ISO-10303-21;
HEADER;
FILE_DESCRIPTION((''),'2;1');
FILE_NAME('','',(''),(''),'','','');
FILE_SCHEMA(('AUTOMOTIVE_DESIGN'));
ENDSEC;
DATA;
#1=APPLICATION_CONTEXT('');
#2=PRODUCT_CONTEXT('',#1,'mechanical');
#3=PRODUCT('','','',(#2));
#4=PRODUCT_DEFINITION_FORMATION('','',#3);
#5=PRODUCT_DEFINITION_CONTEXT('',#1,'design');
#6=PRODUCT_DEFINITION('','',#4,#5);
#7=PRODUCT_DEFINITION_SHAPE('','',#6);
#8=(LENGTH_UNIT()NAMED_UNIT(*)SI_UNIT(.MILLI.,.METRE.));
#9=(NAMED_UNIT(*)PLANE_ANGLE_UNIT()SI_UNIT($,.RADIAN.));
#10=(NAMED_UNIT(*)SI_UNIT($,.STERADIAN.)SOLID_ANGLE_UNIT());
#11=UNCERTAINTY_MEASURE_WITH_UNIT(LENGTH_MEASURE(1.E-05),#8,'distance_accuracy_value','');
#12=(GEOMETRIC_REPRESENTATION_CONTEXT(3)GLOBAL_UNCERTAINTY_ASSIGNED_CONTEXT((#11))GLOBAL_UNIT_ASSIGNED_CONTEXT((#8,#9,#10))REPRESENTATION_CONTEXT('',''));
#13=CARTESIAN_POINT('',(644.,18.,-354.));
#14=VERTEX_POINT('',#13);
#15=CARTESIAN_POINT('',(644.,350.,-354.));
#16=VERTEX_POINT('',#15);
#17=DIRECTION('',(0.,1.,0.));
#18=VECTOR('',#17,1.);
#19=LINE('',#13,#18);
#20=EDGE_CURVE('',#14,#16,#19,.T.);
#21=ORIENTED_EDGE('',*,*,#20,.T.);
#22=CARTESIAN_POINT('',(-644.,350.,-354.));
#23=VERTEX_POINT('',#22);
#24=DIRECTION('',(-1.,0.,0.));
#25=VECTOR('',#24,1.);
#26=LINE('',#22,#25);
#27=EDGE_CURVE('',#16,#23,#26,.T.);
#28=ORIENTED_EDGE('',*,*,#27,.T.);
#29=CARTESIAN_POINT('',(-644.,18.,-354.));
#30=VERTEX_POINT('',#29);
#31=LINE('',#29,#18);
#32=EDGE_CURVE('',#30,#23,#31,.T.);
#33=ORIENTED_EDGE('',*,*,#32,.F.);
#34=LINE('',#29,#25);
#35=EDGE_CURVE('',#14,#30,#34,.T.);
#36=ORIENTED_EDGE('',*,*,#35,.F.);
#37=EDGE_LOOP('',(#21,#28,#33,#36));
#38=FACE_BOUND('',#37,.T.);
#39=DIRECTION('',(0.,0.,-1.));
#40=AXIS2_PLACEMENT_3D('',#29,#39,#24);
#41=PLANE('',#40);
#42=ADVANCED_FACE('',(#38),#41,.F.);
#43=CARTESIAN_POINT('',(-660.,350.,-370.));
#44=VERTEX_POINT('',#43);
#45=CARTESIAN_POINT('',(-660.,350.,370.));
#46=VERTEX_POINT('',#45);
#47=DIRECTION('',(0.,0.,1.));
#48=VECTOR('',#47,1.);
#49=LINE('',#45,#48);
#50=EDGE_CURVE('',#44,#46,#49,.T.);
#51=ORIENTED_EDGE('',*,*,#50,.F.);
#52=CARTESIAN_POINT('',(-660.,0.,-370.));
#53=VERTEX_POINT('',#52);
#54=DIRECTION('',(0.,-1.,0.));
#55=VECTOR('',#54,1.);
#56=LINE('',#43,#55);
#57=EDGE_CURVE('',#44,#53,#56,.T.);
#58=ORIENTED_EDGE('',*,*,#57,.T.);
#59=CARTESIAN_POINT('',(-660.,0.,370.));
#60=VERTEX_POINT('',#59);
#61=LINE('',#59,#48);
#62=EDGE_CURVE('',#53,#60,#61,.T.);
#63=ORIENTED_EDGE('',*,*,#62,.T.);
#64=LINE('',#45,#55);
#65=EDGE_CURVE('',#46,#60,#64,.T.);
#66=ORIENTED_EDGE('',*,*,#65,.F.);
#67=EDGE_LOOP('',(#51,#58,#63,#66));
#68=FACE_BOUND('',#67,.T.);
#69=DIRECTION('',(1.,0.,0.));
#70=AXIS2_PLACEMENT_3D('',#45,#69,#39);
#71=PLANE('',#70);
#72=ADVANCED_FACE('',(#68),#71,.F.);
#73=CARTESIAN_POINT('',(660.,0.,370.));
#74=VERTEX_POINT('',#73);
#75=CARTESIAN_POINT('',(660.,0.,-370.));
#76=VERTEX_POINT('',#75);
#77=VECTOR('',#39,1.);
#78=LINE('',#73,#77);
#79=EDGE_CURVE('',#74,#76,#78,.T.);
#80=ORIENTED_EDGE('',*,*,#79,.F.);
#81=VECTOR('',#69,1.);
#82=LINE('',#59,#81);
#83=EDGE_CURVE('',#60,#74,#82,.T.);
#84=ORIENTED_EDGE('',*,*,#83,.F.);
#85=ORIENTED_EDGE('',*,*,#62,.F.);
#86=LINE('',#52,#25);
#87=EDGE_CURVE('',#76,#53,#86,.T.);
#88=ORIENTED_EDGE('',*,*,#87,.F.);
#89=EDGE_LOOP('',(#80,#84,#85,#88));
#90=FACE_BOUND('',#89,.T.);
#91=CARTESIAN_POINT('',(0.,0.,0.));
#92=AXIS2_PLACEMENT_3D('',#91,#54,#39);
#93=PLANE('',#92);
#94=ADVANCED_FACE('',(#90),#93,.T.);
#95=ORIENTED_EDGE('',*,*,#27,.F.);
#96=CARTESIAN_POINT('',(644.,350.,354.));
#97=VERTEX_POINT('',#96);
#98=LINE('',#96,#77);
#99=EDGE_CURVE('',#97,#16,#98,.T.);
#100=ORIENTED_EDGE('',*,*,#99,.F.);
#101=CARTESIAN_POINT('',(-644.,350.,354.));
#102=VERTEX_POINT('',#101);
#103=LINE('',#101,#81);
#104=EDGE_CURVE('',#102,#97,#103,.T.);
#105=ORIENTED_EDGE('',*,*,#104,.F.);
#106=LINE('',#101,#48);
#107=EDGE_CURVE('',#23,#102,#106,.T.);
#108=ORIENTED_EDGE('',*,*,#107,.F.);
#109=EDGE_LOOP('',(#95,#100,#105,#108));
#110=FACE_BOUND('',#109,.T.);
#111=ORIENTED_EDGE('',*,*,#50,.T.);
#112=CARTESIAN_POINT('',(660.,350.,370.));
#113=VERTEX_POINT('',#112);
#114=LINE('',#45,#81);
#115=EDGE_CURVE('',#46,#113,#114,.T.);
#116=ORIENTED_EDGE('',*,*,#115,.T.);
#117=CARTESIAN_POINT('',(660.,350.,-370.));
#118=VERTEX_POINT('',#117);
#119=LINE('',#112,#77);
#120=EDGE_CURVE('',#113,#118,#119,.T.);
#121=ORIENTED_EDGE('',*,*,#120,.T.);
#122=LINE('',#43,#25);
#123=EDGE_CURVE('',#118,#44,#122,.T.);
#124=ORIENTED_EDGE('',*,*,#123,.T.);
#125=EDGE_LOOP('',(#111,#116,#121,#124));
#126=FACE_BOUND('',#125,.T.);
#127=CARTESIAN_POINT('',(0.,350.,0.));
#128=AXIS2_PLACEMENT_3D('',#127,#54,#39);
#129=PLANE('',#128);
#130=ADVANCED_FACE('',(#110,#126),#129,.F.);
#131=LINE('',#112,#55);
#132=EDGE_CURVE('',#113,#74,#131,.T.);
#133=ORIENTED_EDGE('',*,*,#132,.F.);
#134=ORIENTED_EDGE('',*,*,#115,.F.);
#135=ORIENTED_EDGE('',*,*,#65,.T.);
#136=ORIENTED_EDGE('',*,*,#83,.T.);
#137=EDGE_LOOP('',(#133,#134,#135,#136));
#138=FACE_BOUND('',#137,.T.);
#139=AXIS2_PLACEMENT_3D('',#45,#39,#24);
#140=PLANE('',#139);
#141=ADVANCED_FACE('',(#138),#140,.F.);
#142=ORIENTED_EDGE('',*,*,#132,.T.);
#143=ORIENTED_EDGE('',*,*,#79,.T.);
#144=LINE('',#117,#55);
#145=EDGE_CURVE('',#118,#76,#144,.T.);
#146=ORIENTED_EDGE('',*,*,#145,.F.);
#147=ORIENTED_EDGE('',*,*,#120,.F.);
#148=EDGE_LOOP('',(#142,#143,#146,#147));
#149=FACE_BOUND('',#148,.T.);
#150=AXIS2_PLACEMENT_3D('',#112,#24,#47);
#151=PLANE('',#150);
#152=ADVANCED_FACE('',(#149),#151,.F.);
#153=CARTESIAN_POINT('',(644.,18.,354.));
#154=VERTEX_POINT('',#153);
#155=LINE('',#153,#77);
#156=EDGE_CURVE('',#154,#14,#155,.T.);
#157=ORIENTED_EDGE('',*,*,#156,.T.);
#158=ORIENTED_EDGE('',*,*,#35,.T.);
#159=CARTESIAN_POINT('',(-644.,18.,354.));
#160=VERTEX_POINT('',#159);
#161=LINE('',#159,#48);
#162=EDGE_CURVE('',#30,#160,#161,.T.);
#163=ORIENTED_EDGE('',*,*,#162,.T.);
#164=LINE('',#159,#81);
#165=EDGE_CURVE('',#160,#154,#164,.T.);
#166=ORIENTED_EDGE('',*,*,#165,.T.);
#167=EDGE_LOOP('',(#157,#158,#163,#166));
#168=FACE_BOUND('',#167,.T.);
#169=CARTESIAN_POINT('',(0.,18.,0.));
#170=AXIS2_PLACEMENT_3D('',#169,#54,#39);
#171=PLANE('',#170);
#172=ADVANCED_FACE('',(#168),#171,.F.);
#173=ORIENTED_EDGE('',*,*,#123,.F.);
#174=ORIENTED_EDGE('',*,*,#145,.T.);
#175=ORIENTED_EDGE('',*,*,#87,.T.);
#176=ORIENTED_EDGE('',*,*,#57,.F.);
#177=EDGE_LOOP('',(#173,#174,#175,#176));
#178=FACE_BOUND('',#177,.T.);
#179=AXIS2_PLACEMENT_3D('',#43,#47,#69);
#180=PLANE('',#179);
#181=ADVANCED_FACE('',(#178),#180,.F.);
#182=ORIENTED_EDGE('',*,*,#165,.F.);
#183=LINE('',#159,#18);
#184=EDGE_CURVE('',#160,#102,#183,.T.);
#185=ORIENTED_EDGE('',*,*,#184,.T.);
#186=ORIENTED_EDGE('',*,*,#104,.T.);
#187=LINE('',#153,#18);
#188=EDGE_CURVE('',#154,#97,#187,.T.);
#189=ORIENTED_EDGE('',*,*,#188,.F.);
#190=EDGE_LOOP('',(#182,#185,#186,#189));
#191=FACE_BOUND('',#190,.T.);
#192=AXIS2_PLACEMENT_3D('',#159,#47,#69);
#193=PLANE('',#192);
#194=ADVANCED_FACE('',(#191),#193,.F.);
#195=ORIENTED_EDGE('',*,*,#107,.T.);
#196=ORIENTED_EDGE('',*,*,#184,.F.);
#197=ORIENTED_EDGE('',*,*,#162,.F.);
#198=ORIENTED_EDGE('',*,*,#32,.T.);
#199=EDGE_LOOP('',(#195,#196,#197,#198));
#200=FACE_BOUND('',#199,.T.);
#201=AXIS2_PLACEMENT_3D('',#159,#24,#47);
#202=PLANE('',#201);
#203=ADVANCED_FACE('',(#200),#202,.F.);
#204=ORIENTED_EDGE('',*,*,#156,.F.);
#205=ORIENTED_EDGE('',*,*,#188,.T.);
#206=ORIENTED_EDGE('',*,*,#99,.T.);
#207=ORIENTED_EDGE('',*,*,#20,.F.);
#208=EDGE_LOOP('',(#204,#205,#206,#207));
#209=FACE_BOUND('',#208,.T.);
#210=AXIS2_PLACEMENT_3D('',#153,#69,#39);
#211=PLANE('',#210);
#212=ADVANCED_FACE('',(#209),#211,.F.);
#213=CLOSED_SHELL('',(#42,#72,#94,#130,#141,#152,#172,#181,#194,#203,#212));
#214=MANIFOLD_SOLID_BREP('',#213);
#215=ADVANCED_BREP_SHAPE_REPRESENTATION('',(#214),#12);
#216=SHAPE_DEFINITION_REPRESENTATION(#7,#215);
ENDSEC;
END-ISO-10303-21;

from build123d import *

# Parameters (mm, degrees)
CROQUIS1_W              = 1320
CROQUIS1_H              = 740
SALIENTE_EXTRUIR1_DEPTH = 350
CROQUIS2_W              = 1288
CROQUIS2_H              = 708
CORTAR_EXTRUIR1_DEPTH   = 332


with BuildPart() as part:
    # Croquis1 → Saliente-Extruir1 (new body)
    with BuildSketch(Plane(origin=(0, 0, 0), x_dir=(1, 0, 0), z_dir=(0, 1, 0))):
        Rectangle(CROQUIS1_W, CROQUIS1_H)
    extrude(amount=SALIENTE_EXTRUIR1_DEPTH)

    # Croquis2 → Cortar-Extruir1 (cut)
    with BuildSketch(Plane(origin=(0, 350, 0), x_dir=(1, 0, 0), z_dir=(0, 1, 0))):
        Rectangle(CROQUIS2_W, CROQUIS2_H)
    extrude(amount=-CORTAR_EXTRUIR1_DEPTH, mode=Mode.SUBTRACT)


solid = part.part
